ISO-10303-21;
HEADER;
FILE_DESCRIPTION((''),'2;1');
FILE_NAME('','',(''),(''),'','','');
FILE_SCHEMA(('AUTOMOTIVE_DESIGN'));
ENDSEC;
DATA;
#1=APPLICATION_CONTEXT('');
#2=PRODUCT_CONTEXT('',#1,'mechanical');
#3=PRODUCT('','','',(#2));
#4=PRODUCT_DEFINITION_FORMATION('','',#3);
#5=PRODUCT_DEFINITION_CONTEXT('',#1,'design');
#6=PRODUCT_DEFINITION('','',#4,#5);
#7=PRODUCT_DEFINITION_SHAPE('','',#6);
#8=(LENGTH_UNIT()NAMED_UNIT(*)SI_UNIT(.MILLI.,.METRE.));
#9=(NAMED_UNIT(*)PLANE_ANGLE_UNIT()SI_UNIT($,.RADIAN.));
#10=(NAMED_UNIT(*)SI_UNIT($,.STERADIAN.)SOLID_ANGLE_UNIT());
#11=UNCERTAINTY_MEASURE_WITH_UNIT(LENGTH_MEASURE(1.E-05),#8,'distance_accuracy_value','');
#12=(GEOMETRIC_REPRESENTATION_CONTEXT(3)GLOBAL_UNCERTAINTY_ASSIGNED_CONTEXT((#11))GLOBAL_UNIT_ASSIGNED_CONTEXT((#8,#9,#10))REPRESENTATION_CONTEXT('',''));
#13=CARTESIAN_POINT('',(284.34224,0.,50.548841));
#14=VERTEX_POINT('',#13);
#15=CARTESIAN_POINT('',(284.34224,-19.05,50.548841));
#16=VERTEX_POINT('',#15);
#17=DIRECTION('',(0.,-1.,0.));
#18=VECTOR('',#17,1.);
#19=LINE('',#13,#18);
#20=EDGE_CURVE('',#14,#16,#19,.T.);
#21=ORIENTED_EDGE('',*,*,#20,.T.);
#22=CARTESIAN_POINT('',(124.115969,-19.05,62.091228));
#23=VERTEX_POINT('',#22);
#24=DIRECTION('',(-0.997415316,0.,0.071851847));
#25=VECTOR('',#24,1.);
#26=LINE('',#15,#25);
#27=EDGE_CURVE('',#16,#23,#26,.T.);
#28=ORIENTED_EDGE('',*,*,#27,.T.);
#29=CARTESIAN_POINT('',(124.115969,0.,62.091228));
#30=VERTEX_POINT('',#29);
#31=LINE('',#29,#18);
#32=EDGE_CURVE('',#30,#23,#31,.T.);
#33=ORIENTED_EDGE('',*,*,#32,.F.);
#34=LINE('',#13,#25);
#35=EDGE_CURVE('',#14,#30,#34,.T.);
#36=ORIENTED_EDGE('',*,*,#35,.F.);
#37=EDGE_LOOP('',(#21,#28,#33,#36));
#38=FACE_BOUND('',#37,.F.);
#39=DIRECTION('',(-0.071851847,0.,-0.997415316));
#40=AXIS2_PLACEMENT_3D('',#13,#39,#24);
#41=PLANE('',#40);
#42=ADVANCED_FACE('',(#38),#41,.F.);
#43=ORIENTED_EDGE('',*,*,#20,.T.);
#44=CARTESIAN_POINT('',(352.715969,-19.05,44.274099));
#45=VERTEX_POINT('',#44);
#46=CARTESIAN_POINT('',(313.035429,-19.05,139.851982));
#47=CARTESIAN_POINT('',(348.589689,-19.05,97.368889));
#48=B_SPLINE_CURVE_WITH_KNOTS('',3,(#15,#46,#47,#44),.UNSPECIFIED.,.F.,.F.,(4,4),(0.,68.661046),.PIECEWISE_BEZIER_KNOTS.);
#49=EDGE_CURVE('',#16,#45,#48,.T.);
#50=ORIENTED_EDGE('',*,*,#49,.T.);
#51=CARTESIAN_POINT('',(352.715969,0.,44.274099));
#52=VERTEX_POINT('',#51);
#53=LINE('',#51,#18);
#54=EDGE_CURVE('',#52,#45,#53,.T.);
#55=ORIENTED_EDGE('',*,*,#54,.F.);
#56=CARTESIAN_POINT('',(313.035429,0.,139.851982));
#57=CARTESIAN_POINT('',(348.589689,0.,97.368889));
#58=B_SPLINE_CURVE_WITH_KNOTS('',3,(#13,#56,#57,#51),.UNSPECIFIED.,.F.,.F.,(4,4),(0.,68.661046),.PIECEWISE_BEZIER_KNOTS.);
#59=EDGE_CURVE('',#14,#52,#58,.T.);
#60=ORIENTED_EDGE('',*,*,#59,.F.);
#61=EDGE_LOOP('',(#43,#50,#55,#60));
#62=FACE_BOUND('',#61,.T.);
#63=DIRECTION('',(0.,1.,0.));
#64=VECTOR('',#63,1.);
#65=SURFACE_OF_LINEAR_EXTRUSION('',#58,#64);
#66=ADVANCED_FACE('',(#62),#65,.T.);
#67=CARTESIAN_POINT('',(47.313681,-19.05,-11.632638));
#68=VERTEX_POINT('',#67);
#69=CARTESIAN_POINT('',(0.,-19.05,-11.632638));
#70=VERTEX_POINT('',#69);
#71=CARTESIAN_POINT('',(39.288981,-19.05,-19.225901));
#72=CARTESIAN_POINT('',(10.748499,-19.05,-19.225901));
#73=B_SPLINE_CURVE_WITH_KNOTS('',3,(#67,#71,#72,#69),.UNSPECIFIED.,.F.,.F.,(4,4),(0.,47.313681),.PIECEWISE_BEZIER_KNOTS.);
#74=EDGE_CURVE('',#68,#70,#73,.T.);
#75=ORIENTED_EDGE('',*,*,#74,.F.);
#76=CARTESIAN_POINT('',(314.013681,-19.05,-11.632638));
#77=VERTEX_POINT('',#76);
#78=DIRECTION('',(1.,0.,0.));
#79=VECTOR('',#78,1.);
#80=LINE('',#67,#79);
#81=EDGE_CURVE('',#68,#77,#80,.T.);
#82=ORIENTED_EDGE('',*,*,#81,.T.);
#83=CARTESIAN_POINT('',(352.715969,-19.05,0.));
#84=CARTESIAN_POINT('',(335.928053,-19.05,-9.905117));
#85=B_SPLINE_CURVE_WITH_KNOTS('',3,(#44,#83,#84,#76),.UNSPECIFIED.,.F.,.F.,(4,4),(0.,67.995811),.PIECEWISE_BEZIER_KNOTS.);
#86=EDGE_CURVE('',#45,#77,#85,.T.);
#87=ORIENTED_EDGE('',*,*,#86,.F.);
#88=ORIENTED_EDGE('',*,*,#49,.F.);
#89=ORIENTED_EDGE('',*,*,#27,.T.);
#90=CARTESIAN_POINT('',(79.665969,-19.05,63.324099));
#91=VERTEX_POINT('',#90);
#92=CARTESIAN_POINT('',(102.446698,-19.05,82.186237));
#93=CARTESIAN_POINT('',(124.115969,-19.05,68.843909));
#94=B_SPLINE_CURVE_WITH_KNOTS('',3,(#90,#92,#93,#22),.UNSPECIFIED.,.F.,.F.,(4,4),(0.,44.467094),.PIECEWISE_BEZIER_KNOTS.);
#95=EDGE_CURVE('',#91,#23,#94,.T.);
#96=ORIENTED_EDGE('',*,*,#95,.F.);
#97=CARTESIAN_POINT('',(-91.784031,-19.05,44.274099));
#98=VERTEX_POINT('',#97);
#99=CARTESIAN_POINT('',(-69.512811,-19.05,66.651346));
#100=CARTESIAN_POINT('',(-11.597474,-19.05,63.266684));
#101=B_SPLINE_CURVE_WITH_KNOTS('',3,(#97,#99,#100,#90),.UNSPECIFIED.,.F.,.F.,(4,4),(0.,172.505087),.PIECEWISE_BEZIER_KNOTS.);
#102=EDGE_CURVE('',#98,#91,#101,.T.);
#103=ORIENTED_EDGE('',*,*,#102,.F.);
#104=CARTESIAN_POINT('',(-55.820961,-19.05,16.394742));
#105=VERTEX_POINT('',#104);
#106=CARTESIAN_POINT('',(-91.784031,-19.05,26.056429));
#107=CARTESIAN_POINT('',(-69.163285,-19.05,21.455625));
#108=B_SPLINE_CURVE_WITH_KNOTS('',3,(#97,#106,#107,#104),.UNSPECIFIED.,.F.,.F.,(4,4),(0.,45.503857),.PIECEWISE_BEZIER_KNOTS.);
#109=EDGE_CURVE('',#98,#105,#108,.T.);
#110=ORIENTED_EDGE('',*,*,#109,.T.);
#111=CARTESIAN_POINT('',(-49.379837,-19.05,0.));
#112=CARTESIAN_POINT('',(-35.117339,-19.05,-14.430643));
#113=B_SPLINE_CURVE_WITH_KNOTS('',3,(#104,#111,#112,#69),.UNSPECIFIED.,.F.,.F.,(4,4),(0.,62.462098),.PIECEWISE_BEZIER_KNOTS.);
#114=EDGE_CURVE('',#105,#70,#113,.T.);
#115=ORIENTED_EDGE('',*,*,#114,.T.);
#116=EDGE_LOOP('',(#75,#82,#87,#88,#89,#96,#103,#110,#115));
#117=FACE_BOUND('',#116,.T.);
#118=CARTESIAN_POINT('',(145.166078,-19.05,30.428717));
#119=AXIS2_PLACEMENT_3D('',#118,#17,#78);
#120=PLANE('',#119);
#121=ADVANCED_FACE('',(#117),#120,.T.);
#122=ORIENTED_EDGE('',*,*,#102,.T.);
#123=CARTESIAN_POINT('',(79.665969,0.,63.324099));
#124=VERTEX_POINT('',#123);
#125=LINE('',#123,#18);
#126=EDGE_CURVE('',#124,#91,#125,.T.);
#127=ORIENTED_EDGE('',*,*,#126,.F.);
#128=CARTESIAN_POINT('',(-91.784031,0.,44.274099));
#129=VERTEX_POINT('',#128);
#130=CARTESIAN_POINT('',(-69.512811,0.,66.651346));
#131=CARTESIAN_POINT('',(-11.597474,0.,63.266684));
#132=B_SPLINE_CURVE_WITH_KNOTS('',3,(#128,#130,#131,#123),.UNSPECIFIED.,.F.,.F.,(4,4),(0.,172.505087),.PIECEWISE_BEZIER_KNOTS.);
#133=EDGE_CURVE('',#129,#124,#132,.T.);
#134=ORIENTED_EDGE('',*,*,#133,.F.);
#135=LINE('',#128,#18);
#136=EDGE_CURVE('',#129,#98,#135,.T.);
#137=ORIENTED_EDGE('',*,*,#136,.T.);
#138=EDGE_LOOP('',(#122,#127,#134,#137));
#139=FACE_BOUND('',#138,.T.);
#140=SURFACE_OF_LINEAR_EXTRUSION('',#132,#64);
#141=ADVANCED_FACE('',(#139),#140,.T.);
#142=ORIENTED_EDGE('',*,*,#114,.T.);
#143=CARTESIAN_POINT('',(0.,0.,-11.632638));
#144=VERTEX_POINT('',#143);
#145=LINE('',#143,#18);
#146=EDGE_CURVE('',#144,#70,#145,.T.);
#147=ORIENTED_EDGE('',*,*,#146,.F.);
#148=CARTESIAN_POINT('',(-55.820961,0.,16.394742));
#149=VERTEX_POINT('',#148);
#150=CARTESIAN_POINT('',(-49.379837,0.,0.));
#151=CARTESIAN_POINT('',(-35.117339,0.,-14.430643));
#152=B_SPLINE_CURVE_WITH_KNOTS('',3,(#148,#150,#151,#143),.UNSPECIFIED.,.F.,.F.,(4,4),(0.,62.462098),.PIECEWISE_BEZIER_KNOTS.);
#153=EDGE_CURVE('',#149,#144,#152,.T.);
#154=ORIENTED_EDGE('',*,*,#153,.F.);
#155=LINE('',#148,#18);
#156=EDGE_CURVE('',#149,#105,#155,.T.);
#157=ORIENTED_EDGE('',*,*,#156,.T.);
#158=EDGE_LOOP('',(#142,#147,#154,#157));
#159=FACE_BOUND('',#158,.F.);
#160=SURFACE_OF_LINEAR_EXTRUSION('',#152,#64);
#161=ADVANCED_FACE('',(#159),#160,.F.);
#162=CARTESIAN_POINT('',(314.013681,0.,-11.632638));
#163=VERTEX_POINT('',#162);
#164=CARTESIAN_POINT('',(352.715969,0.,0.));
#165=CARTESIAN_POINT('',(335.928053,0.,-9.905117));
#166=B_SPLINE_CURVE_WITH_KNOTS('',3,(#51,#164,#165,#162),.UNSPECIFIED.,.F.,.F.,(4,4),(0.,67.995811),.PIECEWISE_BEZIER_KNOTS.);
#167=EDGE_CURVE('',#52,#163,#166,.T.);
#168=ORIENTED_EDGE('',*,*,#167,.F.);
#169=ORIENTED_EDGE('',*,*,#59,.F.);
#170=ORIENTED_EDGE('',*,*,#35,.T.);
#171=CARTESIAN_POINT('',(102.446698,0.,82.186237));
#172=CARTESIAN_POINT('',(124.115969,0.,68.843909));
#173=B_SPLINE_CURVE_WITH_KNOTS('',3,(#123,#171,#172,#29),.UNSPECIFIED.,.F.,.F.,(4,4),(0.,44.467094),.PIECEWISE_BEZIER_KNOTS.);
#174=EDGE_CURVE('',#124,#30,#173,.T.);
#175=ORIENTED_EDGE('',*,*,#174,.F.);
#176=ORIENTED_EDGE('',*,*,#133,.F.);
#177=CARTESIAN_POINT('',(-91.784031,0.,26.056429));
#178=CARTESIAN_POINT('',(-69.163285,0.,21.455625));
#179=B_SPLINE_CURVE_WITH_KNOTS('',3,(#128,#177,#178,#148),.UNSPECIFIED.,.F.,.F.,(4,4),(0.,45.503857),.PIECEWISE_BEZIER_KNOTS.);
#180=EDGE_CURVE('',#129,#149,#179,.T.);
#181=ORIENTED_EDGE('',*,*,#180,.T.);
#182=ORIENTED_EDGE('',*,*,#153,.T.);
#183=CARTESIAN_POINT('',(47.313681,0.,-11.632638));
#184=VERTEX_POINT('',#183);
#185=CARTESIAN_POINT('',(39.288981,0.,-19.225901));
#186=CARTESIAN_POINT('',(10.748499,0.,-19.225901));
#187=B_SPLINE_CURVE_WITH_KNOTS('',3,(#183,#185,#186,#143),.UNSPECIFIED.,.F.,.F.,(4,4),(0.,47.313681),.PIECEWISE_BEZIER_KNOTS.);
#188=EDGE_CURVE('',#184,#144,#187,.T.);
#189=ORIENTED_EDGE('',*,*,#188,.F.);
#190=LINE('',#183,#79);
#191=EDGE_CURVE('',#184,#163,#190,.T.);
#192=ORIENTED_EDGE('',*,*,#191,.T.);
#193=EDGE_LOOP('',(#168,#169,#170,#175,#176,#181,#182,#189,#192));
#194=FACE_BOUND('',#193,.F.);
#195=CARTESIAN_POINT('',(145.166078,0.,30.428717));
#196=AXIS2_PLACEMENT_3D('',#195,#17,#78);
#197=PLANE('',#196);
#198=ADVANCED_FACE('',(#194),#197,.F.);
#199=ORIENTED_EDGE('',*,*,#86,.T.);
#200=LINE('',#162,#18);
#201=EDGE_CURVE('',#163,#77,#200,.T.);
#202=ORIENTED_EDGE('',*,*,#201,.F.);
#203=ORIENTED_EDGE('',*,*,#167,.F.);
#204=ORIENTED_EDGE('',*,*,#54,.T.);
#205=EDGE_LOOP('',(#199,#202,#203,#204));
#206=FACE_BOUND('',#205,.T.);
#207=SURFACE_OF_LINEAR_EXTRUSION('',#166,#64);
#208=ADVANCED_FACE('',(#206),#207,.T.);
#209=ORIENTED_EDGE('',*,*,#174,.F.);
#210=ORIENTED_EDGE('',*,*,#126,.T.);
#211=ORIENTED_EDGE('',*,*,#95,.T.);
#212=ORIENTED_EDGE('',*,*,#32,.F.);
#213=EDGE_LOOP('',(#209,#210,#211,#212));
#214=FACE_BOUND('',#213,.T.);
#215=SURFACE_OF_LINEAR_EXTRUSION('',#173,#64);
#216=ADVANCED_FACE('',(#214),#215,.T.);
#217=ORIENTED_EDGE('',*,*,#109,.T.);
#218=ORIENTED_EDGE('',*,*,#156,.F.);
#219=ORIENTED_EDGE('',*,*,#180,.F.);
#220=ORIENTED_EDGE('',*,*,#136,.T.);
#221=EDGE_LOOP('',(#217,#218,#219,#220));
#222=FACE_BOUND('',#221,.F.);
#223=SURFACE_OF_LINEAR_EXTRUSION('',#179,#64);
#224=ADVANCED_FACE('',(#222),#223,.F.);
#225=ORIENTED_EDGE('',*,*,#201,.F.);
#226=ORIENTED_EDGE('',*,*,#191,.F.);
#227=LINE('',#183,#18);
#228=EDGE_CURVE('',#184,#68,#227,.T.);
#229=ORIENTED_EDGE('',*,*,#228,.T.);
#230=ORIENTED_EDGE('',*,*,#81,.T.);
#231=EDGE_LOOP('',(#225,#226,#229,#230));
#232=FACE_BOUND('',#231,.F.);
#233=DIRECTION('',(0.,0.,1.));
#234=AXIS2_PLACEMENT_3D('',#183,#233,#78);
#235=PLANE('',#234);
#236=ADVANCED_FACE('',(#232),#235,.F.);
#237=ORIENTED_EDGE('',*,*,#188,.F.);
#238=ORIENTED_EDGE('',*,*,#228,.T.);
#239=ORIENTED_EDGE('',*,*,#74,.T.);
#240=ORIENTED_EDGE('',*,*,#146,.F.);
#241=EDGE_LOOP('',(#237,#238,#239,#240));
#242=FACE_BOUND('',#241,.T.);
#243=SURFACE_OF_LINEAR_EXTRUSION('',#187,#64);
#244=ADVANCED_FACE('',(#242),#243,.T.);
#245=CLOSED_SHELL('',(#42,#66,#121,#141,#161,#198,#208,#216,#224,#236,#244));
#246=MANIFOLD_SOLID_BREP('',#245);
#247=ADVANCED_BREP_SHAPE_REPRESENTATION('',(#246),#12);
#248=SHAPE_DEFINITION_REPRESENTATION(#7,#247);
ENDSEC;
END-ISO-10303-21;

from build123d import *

# Parameters (mm, degrees)
F1_DEPTH = 19.05


with BuildPart() as f1:
    # F0 (on Front) → F1 (new body)
    with BuildSketch(Plane.XZ):
        with BuildLine():
            Line((47.313681, -11.632638), (314.013681, -11.632638))
            add(Edge.make_bspline(
                [(352.715969, 44.274099), (352.715969, 0), (335.928053, -9.905117), (314.013681, -11.632638)],
                knots=[0, 0, 0, 0, 67.995811, 67.995811, 67.995811, 67.995811], degree=3))
            add(Edge.make_bspline(
                [(284.34224, 50.548841), (313.035429, 139.851982), (348.589689, 97.368889), (352.715969, 44.274099)],
                knots=[0, 0, 0, 0, 68.661046, 68.661046, 68.661046, 68.661046], degree=3))
            Line((284.34224, 50.548841), (124.115969, 62.091228))
            add(Edge.make_bspline(
                [(79.665969, 63.324099), (102.446698, 82.186237), (124.115969, 68.843909), (124.115969, 62.091228)],
                knots=[0, 0, 0, 0, 44.467094, 44.467094, 44.467094, 44.467094], degree=3))
            add(Edge.make_bspline(
                [(-91.784031, 44.274099), (-69.512811, 66.651346), (-11.597474, 63.266684), (79.665969, 63.324099)],
                knots=[0, 0, 0, 0, 172.505087, 172.505087, 172.505087, 172.505087], degree=3))
            add(Edge.make_bspline(
                [(-91.784031, 44.274099), (-91.784031, 26.056429), (-69.163285, 21.455625), (-55.820961, 16.394742)],
                knots=[0, 0, 0, 0, 45.503857, 45.503857, 45.503857, 45.503857], degree=3))
            add(Edge.make_bspline(
                [(-55.820961, 16.394742), (-49.379837, 0), (-35.117339, -14.430643), (0, -11.632638)],
                knots=[0, 0, 0, 0, 62.462098, 62.462098, 62.462098, 62.462098], degree=3))
            add(Edge.make_bspline(
                [(47.313681, -11.632638), (39.288981, -19.225901), (10.748499, -19.225901), (0, -11.632638)],
                knots=[0, 0, 0, 0, 47.313681, 47.313681, 47.313681, 47.313681], degree=3))
        make_face()
    extrude(amount=F1_DEPTH)


solid = f1.part
